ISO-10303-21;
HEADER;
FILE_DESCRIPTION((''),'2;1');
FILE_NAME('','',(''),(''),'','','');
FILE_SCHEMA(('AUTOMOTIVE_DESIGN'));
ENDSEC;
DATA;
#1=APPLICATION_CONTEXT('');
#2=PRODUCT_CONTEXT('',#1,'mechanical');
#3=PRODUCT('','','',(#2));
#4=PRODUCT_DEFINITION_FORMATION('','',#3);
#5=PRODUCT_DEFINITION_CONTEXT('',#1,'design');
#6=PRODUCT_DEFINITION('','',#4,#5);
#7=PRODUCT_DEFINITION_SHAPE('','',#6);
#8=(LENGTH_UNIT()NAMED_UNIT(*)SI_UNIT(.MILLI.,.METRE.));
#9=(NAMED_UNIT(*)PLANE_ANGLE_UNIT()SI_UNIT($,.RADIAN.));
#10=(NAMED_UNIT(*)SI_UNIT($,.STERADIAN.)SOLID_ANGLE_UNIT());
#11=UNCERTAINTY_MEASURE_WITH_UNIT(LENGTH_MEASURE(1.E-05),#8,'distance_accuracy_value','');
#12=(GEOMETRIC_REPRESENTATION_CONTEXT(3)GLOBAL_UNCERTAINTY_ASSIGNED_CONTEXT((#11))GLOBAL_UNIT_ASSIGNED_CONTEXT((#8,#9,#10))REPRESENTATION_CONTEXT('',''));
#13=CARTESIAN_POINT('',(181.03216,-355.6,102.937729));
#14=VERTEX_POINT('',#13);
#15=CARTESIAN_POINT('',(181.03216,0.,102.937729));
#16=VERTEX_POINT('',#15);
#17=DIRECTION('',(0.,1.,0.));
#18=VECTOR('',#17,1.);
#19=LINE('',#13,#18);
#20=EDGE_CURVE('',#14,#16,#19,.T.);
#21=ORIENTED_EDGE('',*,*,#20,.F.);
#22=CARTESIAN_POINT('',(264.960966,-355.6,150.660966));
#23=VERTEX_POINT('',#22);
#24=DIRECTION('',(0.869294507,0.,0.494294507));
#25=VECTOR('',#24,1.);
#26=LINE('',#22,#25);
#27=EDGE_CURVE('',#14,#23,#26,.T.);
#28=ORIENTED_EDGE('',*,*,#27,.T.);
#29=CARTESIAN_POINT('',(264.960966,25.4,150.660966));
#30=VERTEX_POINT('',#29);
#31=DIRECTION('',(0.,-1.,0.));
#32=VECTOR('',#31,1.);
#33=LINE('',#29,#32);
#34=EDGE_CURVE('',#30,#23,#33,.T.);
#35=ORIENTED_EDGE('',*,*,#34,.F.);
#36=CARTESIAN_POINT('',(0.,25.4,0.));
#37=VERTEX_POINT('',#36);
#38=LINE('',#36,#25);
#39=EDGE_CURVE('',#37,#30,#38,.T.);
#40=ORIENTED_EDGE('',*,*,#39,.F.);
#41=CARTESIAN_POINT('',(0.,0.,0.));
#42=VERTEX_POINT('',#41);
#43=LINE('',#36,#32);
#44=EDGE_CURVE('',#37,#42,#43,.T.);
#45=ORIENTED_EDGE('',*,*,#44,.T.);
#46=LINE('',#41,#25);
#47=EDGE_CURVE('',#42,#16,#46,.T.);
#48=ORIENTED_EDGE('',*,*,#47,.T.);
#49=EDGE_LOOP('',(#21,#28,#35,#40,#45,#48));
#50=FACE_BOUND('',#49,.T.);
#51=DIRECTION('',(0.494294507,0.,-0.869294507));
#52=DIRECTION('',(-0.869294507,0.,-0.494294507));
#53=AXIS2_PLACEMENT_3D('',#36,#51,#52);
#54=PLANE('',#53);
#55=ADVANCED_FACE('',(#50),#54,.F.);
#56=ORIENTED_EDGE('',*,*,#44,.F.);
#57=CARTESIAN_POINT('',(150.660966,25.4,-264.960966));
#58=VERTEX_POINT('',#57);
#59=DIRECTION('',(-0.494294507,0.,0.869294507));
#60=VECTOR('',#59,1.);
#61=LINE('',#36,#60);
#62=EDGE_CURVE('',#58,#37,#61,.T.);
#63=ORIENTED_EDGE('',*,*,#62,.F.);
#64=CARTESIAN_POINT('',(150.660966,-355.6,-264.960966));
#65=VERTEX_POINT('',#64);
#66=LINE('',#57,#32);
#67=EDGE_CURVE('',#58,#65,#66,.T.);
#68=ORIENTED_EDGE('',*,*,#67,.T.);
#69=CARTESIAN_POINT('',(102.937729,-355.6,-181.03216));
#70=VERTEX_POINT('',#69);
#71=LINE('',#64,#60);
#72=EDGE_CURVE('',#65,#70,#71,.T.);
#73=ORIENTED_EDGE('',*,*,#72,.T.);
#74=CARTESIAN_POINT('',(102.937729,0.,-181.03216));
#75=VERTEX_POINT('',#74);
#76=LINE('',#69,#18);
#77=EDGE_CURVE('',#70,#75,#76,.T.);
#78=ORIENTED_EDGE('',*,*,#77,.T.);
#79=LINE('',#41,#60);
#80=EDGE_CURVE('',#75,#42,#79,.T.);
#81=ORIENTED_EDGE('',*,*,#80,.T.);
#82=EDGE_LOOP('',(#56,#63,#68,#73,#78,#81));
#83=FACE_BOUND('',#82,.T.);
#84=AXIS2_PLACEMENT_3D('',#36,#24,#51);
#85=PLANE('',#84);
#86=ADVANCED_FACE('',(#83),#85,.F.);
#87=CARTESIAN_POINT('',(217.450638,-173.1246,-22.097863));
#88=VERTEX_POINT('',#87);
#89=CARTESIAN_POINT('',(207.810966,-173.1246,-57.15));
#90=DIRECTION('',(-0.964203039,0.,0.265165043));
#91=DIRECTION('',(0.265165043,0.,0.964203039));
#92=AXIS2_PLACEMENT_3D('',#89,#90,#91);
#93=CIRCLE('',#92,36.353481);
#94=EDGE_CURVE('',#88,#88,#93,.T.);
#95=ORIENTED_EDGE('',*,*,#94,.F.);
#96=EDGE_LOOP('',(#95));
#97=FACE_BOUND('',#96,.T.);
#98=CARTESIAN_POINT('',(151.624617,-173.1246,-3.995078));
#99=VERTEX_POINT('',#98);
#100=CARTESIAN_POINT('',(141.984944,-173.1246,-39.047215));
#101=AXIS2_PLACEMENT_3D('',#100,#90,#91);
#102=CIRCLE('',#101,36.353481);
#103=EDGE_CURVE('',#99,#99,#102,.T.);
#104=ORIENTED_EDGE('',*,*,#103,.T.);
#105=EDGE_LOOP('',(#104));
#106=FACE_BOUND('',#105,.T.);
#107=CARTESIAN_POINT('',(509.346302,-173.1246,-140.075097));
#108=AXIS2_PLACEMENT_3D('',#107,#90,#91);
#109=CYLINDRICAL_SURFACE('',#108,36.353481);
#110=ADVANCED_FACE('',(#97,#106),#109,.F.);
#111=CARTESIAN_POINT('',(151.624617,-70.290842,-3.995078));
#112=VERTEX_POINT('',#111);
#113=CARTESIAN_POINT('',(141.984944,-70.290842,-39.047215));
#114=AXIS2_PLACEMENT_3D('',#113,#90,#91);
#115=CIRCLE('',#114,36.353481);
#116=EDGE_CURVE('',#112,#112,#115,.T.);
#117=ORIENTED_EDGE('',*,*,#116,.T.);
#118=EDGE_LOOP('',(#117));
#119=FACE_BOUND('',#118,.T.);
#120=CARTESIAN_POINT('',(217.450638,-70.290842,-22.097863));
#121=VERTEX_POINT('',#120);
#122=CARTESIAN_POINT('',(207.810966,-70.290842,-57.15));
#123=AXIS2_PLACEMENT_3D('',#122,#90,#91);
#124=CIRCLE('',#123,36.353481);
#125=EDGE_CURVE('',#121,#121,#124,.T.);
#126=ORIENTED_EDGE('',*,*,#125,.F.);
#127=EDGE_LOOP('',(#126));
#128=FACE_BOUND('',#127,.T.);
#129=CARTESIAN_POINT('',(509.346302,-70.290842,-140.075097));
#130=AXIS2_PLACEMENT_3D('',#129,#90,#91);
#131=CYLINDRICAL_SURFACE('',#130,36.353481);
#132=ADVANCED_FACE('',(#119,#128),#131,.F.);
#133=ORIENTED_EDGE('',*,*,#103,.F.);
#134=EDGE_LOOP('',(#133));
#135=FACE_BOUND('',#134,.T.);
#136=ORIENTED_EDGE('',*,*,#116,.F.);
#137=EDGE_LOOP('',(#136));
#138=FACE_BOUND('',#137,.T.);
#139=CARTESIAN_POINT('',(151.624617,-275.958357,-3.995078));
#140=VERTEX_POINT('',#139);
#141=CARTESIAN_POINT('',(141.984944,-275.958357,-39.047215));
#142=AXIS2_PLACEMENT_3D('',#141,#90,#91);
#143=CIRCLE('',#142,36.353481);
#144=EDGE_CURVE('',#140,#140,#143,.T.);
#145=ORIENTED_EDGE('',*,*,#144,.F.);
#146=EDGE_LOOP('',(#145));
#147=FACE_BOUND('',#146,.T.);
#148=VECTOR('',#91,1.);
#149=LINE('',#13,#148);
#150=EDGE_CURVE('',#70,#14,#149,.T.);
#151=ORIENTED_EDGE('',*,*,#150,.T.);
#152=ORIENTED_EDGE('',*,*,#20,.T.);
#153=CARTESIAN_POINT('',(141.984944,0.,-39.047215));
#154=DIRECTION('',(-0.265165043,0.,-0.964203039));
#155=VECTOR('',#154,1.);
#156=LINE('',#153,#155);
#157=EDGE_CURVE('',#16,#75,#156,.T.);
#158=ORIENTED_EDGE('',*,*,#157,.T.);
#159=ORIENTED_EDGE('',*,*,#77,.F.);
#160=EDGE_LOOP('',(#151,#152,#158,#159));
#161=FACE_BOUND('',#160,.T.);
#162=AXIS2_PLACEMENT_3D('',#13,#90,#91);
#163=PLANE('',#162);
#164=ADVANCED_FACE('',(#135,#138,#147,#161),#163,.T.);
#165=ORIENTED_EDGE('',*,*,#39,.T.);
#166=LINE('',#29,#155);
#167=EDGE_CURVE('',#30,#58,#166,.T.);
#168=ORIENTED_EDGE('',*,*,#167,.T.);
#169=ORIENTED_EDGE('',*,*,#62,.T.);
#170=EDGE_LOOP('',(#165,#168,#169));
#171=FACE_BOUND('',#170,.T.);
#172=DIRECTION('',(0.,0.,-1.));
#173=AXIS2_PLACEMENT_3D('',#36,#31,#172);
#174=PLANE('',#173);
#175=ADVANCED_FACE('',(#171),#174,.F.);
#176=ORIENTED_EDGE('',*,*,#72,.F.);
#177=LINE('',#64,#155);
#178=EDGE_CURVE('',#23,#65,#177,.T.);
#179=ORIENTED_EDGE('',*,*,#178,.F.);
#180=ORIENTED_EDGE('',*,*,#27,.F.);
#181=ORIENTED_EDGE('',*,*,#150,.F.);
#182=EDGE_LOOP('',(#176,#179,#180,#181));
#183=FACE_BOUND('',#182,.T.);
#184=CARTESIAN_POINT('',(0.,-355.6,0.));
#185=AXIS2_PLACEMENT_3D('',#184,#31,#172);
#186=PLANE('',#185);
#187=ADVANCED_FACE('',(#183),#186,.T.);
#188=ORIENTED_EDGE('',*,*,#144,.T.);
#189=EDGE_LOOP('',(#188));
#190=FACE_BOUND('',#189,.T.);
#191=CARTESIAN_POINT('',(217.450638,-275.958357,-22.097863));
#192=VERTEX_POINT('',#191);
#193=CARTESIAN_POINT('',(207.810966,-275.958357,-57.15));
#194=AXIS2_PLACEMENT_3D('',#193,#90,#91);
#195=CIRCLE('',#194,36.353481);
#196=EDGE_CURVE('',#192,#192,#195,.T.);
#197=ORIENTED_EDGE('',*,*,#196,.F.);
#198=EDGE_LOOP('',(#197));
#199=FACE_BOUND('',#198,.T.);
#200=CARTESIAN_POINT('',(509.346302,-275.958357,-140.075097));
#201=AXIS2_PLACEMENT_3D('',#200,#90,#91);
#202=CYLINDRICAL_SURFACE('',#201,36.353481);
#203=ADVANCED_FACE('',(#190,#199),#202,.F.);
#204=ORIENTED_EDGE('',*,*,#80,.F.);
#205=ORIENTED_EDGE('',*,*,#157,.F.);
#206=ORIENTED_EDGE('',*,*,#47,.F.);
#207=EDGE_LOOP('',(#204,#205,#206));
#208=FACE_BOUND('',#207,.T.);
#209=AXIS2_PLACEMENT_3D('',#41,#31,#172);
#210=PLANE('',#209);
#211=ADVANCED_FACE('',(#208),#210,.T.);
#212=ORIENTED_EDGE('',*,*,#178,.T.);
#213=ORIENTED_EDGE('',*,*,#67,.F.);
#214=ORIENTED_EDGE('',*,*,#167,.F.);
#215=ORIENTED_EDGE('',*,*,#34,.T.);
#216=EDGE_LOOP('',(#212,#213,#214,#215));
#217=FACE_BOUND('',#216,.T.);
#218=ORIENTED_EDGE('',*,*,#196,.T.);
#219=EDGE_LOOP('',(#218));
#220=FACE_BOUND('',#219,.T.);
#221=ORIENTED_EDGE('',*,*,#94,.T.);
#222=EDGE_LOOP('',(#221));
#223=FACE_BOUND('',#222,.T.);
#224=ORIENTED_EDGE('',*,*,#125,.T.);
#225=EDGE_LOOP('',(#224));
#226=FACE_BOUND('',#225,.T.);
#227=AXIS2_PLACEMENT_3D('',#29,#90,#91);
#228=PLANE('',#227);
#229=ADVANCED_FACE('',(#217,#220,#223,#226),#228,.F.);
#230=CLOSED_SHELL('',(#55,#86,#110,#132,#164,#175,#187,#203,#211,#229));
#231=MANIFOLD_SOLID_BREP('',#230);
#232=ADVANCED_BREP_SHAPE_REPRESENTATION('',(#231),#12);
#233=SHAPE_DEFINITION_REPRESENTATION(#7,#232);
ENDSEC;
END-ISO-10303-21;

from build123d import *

# Parameters (mm, degrees)
BOSS_EXTRUDE1_DEPTH = 25.4
BOSS_EXTRUDE2_DEPTH = 381
SKETCH3_R           = 36.353481393
CUT_EXTRUDE1_DEPTH  = 381


with BuildPart() as part:
    # Sketch1 → Boss-Extrude1 (new body)
    with BuildSketch(Plane(origin=(0, 0, 0), x_dir=(1, 0, 0), z_dir=(0, 1, 0))):
        Polygon((0, 0), (264.960965784, -150.660965784), (150.660965784, 264.960965784), align=None)
    extrude(amount=BOSS_EXTRUDE1_DEPTH)

    # Sketch2 → Boss-Extrude2 (add)
    with BuildSketch(Plane(origin=(0, 25.4, 0), x_dir=(1, 0, 0), z_dir=(0, 1, 0))):
        Polygon((150.660965784, 264.960965784), (102.937728624, 181.032159524), (181.032159524, -102.937728624), (264.960965784, -150.660965784), align=None)
    extrude(amount=-BOSS_EXTRUDE2_DEPTH)

    # Sketch3 → Cut-Extrude1 (cut)
    with BuildSketch(Plane(origin=(141.984944074, 0, -39.04721545), x_dir=(0.26516504294494564, 0, 0.9642030387838472), z_dir=(-0.9642030387838472, 0, 0.26516504294494564))):
        with Locations((0, -70.290841781)):
            Circle(SKETCH3_R)
        with Locations((0, -173.124599598)):
            Circle(SKETCH3_R)
        with Locations((0, -275.958357416)):
            Circle(SKETCH3_R)
    extrude(amount=-CUT_EXTRUDE1_DEPTH, mode=Mode.SUBTRACT)


solid = part.part
